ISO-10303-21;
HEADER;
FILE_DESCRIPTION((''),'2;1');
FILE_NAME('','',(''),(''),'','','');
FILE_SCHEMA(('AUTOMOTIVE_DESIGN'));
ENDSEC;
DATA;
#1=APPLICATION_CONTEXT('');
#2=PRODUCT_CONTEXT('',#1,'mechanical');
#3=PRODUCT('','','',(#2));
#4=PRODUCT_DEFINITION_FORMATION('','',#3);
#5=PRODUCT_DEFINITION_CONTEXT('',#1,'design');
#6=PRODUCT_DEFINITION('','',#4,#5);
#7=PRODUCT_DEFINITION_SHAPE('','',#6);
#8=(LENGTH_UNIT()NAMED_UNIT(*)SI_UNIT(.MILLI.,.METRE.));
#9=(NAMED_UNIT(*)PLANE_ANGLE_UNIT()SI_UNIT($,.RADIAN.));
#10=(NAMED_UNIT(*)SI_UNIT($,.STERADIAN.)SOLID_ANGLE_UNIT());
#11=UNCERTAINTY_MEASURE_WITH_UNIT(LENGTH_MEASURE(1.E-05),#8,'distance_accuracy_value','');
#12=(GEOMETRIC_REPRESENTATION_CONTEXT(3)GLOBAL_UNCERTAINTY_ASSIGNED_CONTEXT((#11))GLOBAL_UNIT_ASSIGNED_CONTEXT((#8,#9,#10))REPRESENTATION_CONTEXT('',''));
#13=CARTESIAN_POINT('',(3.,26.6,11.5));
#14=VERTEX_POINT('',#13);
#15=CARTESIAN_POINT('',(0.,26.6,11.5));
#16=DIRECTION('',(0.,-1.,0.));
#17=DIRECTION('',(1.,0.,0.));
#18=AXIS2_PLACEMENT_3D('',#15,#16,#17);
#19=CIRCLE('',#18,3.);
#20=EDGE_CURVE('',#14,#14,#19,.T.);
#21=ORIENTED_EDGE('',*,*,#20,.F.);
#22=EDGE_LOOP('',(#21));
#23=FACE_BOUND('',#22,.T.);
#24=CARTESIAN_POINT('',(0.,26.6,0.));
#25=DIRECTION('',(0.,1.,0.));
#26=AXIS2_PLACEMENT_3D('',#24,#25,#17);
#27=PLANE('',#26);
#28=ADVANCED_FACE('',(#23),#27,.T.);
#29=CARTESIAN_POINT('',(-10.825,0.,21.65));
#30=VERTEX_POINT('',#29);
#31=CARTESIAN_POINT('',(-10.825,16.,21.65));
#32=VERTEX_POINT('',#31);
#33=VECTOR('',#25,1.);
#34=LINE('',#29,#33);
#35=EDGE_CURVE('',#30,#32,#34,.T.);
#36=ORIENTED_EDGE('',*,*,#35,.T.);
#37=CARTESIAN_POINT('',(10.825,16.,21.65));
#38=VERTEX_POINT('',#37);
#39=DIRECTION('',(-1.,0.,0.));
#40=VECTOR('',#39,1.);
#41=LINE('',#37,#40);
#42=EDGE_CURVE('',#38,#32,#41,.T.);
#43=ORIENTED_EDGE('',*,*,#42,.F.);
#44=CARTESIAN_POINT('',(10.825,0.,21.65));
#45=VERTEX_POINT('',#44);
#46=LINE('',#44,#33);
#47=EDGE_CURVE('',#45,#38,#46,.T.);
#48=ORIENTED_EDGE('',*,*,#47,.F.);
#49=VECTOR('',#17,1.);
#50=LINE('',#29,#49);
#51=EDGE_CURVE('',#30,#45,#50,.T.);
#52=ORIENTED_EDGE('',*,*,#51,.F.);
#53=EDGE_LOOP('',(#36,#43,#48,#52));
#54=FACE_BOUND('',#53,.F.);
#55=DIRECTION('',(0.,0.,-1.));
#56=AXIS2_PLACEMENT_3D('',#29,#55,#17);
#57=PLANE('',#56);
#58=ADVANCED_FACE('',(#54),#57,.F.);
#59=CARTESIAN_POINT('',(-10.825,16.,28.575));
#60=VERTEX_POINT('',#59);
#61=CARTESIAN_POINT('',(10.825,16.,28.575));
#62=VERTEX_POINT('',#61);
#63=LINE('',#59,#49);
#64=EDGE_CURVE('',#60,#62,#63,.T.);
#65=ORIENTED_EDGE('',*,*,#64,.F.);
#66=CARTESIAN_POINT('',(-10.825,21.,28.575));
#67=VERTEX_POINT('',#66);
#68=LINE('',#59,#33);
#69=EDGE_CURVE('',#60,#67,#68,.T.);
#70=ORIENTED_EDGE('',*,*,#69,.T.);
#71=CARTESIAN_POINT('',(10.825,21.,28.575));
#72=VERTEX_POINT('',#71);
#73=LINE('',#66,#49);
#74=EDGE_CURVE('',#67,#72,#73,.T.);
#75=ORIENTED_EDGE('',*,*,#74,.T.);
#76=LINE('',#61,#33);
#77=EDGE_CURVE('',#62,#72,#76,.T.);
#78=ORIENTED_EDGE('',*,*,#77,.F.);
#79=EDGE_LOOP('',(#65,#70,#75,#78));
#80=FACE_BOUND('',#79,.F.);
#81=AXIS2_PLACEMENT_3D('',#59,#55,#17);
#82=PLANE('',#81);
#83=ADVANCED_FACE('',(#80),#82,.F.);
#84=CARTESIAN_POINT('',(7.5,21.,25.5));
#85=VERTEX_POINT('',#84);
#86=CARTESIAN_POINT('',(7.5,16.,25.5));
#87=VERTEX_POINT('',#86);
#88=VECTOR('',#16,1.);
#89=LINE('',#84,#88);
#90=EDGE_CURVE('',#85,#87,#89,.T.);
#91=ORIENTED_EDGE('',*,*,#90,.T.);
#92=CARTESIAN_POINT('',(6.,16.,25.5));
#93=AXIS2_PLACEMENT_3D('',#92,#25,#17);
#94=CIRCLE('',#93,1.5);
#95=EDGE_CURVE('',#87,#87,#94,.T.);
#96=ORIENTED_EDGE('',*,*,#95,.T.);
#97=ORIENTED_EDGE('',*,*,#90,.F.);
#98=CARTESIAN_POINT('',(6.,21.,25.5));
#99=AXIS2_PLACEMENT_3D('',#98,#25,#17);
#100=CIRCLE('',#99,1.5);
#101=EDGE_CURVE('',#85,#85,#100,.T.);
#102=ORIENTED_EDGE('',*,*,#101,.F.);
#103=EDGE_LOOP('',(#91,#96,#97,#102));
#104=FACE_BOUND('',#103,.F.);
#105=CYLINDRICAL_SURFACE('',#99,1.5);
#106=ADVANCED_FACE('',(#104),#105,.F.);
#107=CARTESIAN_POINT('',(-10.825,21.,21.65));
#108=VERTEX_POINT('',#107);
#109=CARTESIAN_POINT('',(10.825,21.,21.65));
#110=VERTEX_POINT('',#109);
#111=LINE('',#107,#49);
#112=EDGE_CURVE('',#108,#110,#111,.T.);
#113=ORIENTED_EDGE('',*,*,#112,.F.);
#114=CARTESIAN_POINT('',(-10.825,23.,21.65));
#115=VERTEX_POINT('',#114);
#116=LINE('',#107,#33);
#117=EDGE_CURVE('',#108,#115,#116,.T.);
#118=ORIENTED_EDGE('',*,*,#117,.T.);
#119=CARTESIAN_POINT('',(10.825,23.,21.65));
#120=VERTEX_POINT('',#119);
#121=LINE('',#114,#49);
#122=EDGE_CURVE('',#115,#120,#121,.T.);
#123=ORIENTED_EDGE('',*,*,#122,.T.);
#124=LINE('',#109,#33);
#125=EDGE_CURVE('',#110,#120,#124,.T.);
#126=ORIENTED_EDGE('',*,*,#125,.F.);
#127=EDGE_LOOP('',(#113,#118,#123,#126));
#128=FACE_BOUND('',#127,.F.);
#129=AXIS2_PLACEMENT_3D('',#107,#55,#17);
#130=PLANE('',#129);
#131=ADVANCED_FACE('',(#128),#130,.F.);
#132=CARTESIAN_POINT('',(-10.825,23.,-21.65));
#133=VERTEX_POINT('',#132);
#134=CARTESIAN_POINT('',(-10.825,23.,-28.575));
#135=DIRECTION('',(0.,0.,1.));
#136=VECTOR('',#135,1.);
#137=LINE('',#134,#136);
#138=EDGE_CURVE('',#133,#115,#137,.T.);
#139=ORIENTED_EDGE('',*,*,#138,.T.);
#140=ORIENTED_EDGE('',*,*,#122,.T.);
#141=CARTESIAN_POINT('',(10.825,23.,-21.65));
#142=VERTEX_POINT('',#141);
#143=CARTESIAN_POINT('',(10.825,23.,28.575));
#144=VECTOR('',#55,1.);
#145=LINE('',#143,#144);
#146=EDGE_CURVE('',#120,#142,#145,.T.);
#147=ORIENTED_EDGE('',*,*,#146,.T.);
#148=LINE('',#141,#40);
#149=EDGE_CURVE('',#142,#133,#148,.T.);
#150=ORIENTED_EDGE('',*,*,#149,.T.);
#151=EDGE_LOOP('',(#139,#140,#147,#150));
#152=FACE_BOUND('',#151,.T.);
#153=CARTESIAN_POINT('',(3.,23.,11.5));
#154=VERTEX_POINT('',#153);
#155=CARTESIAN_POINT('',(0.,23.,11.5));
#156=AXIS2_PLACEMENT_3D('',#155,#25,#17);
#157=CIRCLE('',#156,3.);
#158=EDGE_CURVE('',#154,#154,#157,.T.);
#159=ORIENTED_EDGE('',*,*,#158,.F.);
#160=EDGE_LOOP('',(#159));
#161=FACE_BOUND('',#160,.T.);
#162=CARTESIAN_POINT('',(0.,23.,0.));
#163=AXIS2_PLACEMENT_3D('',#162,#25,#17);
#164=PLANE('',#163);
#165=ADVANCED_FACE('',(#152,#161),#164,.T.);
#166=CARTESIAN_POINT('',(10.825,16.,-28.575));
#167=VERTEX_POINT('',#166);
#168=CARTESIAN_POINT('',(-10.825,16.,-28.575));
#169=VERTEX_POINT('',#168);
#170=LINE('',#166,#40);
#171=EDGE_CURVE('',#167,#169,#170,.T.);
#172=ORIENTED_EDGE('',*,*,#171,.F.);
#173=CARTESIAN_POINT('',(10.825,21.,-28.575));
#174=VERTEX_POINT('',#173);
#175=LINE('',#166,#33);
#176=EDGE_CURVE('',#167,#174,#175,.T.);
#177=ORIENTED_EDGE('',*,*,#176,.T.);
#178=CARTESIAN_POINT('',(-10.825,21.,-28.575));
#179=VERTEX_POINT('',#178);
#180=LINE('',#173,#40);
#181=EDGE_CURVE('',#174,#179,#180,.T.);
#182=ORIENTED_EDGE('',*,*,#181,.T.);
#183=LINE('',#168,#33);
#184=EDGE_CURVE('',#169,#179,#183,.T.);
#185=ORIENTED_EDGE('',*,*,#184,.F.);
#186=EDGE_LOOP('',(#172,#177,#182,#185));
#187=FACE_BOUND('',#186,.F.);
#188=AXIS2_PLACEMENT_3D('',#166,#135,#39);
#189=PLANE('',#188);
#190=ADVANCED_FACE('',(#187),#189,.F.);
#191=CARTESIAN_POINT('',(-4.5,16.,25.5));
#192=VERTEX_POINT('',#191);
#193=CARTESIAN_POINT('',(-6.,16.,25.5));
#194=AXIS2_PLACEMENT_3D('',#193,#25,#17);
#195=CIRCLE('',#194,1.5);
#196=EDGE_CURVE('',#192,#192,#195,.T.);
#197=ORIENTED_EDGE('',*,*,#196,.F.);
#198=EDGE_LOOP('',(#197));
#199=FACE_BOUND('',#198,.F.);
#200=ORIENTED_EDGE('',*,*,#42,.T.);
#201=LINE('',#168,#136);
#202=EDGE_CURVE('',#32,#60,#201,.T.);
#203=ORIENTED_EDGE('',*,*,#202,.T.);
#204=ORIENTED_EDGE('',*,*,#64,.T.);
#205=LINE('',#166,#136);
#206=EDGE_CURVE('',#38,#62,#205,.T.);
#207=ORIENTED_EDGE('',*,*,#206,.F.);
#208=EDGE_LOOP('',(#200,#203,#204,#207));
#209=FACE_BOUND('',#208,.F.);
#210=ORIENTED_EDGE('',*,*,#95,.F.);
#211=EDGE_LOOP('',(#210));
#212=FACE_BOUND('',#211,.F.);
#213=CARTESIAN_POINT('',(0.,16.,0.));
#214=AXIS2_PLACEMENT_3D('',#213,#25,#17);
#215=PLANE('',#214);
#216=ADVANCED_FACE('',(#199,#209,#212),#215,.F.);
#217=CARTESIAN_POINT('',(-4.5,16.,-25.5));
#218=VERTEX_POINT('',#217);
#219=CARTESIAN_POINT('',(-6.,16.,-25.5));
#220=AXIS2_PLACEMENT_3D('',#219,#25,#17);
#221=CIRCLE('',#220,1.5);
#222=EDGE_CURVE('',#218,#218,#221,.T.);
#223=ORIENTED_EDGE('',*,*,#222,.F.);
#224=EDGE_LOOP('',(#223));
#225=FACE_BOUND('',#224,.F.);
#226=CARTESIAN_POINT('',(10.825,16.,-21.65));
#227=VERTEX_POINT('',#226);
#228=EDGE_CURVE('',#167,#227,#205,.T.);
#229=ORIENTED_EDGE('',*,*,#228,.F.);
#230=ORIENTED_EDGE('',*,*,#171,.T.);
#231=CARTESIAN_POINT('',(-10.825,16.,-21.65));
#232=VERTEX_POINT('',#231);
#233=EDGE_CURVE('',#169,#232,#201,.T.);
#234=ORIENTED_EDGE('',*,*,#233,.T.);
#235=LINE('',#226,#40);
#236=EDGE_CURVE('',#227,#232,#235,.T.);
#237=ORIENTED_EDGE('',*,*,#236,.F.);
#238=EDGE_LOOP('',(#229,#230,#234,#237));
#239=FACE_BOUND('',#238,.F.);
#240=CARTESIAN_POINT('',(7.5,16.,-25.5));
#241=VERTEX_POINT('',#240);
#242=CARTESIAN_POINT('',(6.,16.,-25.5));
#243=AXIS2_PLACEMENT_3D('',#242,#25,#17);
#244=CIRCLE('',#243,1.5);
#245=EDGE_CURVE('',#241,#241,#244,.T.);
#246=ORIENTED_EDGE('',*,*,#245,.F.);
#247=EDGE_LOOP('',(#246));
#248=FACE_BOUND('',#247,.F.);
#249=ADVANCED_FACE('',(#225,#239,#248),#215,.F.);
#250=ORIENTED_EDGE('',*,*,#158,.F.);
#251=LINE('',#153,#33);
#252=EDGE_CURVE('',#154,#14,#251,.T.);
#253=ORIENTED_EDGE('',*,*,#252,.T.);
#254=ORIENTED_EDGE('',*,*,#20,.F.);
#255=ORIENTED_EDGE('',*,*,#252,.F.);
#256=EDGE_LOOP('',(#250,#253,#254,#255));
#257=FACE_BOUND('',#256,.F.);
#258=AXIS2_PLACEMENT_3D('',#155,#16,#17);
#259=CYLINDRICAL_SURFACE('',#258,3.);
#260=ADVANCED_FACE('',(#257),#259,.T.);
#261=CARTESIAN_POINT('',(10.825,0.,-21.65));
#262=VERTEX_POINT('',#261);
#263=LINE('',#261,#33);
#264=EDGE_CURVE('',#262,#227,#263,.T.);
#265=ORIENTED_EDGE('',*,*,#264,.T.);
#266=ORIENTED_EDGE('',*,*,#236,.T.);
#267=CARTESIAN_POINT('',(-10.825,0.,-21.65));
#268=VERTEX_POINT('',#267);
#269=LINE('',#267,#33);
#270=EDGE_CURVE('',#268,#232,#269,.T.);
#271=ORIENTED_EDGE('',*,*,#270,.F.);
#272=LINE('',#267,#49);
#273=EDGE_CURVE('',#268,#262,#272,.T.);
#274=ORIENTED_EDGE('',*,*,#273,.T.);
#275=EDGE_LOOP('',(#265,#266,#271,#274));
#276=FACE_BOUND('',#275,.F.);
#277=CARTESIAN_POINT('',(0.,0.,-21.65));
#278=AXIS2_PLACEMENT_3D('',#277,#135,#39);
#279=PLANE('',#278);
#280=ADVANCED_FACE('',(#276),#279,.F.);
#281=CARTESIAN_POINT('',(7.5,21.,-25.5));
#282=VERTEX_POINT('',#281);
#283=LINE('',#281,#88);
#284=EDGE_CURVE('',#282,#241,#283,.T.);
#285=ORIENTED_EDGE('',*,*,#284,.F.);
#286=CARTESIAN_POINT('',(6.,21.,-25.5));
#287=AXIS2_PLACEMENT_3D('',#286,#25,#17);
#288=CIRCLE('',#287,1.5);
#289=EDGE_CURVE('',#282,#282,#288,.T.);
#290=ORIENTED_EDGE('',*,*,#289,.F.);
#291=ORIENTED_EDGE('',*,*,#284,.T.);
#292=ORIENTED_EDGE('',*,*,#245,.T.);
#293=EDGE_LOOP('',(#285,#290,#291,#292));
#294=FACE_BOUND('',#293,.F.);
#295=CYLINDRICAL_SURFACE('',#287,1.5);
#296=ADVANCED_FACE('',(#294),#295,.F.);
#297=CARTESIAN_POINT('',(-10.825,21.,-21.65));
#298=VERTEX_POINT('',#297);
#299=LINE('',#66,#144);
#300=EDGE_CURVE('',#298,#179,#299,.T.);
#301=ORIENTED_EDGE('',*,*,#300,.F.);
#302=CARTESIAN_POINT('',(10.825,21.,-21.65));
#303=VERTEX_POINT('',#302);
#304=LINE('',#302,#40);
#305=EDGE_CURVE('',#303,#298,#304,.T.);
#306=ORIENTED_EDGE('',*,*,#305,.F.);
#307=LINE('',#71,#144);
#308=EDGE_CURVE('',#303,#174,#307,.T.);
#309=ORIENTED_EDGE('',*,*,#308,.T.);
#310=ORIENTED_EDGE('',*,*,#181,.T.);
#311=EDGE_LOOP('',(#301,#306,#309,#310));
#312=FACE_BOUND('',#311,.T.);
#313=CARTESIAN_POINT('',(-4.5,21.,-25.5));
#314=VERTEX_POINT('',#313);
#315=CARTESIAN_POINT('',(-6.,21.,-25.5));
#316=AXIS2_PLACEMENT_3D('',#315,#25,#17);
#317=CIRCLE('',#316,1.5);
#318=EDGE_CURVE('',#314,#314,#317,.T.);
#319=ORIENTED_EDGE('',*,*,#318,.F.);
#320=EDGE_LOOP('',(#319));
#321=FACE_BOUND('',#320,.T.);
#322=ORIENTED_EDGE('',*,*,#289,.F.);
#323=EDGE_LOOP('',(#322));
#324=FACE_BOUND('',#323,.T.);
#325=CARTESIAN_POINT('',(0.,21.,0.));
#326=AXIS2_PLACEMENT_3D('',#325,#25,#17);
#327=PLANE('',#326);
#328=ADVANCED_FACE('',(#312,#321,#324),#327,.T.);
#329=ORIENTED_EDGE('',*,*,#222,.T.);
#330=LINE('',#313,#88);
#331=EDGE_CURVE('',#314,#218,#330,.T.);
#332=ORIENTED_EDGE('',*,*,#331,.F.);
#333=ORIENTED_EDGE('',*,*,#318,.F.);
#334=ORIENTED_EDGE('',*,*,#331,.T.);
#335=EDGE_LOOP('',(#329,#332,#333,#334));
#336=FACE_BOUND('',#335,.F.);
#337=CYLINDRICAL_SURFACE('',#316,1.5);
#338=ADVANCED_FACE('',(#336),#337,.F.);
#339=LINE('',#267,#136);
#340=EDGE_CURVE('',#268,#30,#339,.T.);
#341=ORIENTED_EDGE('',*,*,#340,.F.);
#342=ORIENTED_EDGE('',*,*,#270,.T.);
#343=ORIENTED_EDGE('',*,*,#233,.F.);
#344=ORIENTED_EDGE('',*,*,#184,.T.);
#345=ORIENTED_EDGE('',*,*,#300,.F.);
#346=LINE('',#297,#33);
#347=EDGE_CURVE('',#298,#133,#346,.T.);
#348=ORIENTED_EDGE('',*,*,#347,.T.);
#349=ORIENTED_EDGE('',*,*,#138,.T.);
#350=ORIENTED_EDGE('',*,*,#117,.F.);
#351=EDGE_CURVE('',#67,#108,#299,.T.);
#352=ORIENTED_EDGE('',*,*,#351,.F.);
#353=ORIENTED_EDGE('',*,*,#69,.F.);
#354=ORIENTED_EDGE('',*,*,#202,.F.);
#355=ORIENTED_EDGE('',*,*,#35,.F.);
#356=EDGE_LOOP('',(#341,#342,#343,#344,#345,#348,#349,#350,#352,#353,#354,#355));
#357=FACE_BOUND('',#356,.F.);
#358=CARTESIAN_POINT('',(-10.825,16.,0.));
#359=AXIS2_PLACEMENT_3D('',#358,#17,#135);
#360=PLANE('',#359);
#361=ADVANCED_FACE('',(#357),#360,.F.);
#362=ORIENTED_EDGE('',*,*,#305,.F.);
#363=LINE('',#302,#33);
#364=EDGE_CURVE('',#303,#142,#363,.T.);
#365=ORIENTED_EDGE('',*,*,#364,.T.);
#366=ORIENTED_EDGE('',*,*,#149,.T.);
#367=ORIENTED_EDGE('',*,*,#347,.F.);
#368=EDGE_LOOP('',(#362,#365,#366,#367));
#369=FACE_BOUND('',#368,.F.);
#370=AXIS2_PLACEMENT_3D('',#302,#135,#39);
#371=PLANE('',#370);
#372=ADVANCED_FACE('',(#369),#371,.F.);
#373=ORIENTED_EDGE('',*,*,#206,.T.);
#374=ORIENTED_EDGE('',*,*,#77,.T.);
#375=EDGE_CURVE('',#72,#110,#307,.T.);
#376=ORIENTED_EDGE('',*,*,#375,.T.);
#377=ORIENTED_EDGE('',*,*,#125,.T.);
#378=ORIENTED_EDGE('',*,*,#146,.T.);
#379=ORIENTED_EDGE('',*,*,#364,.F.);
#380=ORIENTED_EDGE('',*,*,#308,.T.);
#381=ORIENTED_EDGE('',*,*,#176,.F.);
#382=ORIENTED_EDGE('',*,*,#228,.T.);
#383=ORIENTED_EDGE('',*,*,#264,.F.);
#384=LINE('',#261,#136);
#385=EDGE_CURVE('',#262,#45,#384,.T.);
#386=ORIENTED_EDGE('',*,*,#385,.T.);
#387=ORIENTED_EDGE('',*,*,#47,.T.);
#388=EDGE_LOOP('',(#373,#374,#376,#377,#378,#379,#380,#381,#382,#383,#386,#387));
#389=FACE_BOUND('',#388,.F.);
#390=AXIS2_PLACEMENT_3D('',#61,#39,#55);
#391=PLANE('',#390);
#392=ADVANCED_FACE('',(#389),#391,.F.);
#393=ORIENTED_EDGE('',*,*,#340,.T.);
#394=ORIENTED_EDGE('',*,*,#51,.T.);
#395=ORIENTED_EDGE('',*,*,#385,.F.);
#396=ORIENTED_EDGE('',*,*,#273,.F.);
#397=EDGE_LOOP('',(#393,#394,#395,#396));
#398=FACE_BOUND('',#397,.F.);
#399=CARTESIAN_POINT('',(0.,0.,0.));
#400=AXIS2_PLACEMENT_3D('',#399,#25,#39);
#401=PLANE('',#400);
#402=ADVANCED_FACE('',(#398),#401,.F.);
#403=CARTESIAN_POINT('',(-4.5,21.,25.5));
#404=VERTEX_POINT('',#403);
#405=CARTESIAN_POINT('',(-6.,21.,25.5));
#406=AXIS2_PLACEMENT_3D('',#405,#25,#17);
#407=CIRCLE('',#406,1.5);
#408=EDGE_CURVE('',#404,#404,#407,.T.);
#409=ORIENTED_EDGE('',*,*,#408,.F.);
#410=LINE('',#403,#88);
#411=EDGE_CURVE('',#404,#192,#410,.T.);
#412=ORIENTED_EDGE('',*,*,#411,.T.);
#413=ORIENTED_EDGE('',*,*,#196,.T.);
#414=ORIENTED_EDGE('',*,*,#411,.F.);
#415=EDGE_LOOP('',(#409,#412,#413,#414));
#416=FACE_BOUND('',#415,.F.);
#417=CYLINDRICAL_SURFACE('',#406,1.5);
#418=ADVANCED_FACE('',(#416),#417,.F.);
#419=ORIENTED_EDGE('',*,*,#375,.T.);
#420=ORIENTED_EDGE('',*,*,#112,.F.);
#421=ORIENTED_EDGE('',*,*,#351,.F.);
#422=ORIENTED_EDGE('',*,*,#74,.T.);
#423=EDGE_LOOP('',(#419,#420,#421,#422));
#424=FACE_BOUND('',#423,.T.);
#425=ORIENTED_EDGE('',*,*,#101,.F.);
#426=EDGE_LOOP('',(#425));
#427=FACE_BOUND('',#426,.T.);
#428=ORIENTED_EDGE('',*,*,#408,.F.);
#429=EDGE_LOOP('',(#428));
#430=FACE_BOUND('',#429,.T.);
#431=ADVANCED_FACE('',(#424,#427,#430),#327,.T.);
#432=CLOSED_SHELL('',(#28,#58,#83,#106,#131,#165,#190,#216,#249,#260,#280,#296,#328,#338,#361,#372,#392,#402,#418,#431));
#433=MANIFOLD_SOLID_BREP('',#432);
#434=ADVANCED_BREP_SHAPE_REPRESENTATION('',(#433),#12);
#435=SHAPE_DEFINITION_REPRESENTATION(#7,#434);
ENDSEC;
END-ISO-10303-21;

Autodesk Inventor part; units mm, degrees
ref_plane "YZ Plane" through (0, 0, 0) normal (1, 0, 0) x (0, 1, 0)
ref_plane "XZ Plane" through (0, 0, 0) normal (0, 1, 0) x (-1, 0, 0)
ref_plane "XY Plane" through (0, 0, 0) normal (0, 0, 1) x (1, 0, 0)
sketch "スケッチ1" plane through (0, 0, 0) normal (0, 1, 0) x (-1, 0, 0)
  line L0 (10.825, 21.65) -> (-10.825, 21.65)
  line L1 (-10.825, 21.65) -> (-10.825, -21.65)
  line L2 (-10.825, -21.65) -> (10.825, -21.65)
  line L3 (10.825, -21.65) -> (10.825, 21.65)
  line L4 (0, -42.6095) -> (0, 37.4005) projected
  line L5 (-15.3503, 0) -> (16.327, 0) projected
  point P0 (0, 0)
  dimension "d0" = 21.65
  dimension "d1" = 43.3
extrude "押し出し1" add sketch "スケッチ1" along normal blind 16
sketch "スケッチ2" plane through (0, 16, 0) normal (0, 1, 0) x (1, 0, 0)
  line L0 (-10.825, -28.575) -> (10.825, -28.575)
  line L1 (10.825, -28.575) -> (10.825, 28.575)
  line L2 (10.825, 28.575) -> (-10.825, 28.575)
  line L3 (-10.825, 28.575) -> (-10.825, -28.575)
  line L4 (15.155, 0) -> (-15.155, 0) projected
  point P0 (0, 0)
  point P1 (-10.825, -21.65)
  point P2 (10.825, -21.65)
  dimension "d4" = 57.15
extrude "押し出し2" add sketch "スケッチ2" along normal blind 5
sketch "スケッチ3" plane through (0, 21, 0) normal (0, 1, 0) x (1, 0, 0)
  circle A0 centre (-6, -25.5) radius 1.5
  circle A1 centre (6, -25.5) radius 1.5
  circle A2 centre (-6, 25.5) radius 1.5
  circle A3 centre (6, 25.5) radius 1.5
  line L0 (15.155, 0) -> (-15.155, 0) projected
  line L1 (0, 40.005) -> (0, -40.005) projected
  point P0 (0, 0)
  dimension "d9" = 3
  dimension "d10" = 3
  dimension "d11" = 3
  dimension "d12" = 3
  dimension "d13" = 12
  dimension "d14" = 12
  dimension "d15" = 51
  dimension "d16" = 51
extrude "押し出し3" cut sketch "スケッチ3" against normal up to next
sketch "スケッチ4" plane through (0, 21, 0) normal (0, 1, 0) x (1, 0, 0)
  line L0 (10.825, 21.65) -> (-10.825, 21.65) projected
  line L1 (-10.825, -21.65) -> (10.825, -21.65) projected
  line L2 (-10.825, 28.575) -> (-10.825, -28.575) projected
  line L3 (10.825, -28.575) -> (10.825, 28.575) projected
  point P0 (0, 0)
extrude "押し出し4" add sketch "スケッチ4" along normal blind 2
sketch "スケッチ5" plane through (0, 23, 0) normal (0, 1, 0) x (1, 0, 0)
  circle A0 centre (0, -11.5) radius 3
  circle A1 centre (6, -25.5) radius 1.5 projected
  line L0 (0, 40.005) -> (0, -40.005) projected
  point P0 (0, 0)
  dimension "d21" = 14
  dimension "d22" = 6
extrude "押し出し5" add sketch "スケッチ5" along normal blind 3.6 contours A0 L0 | L0 A0
properties part number "servo"
